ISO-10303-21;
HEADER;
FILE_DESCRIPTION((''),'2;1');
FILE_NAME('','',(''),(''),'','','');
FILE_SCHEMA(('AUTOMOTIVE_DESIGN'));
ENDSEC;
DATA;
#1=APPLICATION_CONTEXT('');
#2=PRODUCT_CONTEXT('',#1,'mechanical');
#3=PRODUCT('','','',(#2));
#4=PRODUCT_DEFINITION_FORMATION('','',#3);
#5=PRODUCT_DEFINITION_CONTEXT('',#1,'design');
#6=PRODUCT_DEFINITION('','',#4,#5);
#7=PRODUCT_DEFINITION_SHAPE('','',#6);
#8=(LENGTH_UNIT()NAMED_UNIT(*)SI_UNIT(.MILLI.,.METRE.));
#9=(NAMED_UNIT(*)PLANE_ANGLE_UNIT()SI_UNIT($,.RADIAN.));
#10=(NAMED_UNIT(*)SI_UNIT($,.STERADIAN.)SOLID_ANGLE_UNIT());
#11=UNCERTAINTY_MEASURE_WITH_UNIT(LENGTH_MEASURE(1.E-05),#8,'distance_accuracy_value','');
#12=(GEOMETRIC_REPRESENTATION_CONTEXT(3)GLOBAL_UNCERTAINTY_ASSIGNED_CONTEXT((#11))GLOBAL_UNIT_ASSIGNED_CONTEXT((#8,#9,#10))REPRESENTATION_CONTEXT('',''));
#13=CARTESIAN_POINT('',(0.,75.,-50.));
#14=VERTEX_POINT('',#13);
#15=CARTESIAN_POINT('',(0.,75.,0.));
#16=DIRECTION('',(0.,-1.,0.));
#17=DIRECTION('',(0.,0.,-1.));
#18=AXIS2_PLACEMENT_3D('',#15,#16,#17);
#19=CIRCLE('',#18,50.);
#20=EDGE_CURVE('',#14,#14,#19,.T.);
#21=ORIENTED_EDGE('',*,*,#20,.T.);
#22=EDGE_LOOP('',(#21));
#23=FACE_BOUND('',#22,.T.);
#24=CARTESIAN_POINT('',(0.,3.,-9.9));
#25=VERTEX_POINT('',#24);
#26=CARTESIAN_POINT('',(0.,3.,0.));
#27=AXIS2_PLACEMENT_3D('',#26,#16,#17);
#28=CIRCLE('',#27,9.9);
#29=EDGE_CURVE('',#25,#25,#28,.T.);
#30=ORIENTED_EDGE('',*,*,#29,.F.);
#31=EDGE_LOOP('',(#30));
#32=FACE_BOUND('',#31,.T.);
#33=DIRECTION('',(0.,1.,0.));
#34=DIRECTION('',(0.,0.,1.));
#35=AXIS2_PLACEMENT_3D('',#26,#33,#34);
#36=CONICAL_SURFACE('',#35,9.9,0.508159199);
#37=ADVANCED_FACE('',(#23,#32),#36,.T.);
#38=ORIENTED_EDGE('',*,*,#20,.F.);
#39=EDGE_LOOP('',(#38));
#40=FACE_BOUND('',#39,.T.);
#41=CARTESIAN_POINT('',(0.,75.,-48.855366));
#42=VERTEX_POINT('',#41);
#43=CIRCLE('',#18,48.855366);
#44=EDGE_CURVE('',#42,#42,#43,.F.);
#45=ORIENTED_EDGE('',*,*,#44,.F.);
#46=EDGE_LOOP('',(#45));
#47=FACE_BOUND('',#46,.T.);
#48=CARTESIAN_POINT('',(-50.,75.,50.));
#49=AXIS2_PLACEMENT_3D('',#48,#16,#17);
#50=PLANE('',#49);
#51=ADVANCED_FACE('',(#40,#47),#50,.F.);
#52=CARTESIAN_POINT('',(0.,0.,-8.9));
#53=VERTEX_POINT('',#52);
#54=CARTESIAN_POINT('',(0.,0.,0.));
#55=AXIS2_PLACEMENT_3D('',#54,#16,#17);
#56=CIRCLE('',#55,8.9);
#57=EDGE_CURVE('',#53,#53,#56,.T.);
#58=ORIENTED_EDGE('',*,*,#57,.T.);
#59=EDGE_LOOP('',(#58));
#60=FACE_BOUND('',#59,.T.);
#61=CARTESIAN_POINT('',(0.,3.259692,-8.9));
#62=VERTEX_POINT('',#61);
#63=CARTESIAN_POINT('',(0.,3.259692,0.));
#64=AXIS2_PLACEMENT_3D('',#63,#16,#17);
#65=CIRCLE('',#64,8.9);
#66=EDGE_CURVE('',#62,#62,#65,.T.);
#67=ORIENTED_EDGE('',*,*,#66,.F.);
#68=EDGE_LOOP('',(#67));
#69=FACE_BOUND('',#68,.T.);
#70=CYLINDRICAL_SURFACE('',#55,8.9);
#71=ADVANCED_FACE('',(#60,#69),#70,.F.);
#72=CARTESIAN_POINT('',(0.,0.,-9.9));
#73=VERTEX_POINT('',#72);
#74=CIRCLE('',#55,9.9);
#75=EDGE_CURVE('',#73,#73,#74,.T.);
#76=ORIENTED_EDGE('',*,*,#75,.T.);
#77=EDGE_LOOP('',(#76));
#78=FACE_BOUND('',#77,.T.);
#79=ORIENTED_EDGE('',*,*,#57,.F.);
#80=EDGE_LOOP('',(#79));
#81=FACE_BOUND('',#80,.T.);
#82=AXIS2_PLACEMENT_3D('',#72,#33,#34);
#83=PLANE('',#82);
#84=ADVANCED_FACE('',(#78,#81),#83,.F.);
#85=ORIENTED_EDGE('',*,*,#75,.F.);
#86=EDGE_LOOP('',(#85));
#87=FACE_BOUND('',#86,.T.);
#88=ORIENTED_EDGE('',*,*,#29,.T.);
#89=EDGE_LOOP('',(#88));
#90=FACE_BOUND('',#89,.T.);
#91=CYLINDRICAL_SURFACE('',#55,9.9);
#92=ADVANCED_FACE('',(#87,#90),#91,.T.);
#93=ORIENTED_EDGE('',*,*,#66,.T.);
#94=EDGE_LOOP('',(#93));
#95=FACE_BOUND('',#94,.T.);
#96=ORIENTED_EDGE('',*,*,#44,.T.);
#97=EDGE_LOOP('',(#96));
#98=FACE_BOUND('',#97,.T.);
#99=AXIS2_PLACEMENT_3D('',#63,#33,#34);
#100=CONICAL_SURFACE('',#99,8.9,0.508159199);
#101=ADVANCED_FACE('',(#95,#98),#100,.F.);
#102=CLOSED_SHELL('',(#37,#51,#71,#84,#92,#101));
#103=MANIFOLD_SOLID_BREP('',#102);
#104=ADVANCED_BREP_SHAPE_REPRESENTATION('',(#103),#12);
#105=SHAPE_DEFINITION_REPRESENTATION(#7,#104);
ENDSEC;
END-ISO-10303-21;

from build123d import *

# Parameters (mm, degrees)
SKETCH2_W               = 100
SKETCH2_H               = 0.486569872
CUT_EXTRUDE1_DEPTH      = 51
CUT_EXTRUDE1_DEPTH_BACK = 51


with BuildPart() as part:
    # Sketch1 → Revolve-Thin2 (revolve)
    with BuildSketch(Plane(origin=(0, 0, 0), x_dir=(0, 0, -1), z_dir=(1, 0, 0))):
        Polygon((9.9, 0), (9.9, 3), (50, 75), (49.126358335, 75.486569872), (8.9, 3.259692064), (8.9, 0), align=None)
    revolve(axis=Axis((0, 0, 0), (0, 1, 0)))

    # Sketch2 → Cut-Extrude1 (cut, two sides)
    with BuildSketch(Plane(origin=(0, 0, 0), x_dir=(0, 0, -1), z_dir=(1, 0, 0))) as cut_extrude1_sk:
        with Locations((0, 75.243284936)):
            Rectangle(SKETCH2_W, SKETCH2_H)
    extrude(amount=CUT_EXTRUDE1_DEPTH, mode=Mode.SUBTRACT)
    extrude(cut_extrude1_sk.sketch, amount=-CUT_EXTRUDE1_DEPTH_BACK, mode=Mode.SUBTRACT)


solid = part.part
